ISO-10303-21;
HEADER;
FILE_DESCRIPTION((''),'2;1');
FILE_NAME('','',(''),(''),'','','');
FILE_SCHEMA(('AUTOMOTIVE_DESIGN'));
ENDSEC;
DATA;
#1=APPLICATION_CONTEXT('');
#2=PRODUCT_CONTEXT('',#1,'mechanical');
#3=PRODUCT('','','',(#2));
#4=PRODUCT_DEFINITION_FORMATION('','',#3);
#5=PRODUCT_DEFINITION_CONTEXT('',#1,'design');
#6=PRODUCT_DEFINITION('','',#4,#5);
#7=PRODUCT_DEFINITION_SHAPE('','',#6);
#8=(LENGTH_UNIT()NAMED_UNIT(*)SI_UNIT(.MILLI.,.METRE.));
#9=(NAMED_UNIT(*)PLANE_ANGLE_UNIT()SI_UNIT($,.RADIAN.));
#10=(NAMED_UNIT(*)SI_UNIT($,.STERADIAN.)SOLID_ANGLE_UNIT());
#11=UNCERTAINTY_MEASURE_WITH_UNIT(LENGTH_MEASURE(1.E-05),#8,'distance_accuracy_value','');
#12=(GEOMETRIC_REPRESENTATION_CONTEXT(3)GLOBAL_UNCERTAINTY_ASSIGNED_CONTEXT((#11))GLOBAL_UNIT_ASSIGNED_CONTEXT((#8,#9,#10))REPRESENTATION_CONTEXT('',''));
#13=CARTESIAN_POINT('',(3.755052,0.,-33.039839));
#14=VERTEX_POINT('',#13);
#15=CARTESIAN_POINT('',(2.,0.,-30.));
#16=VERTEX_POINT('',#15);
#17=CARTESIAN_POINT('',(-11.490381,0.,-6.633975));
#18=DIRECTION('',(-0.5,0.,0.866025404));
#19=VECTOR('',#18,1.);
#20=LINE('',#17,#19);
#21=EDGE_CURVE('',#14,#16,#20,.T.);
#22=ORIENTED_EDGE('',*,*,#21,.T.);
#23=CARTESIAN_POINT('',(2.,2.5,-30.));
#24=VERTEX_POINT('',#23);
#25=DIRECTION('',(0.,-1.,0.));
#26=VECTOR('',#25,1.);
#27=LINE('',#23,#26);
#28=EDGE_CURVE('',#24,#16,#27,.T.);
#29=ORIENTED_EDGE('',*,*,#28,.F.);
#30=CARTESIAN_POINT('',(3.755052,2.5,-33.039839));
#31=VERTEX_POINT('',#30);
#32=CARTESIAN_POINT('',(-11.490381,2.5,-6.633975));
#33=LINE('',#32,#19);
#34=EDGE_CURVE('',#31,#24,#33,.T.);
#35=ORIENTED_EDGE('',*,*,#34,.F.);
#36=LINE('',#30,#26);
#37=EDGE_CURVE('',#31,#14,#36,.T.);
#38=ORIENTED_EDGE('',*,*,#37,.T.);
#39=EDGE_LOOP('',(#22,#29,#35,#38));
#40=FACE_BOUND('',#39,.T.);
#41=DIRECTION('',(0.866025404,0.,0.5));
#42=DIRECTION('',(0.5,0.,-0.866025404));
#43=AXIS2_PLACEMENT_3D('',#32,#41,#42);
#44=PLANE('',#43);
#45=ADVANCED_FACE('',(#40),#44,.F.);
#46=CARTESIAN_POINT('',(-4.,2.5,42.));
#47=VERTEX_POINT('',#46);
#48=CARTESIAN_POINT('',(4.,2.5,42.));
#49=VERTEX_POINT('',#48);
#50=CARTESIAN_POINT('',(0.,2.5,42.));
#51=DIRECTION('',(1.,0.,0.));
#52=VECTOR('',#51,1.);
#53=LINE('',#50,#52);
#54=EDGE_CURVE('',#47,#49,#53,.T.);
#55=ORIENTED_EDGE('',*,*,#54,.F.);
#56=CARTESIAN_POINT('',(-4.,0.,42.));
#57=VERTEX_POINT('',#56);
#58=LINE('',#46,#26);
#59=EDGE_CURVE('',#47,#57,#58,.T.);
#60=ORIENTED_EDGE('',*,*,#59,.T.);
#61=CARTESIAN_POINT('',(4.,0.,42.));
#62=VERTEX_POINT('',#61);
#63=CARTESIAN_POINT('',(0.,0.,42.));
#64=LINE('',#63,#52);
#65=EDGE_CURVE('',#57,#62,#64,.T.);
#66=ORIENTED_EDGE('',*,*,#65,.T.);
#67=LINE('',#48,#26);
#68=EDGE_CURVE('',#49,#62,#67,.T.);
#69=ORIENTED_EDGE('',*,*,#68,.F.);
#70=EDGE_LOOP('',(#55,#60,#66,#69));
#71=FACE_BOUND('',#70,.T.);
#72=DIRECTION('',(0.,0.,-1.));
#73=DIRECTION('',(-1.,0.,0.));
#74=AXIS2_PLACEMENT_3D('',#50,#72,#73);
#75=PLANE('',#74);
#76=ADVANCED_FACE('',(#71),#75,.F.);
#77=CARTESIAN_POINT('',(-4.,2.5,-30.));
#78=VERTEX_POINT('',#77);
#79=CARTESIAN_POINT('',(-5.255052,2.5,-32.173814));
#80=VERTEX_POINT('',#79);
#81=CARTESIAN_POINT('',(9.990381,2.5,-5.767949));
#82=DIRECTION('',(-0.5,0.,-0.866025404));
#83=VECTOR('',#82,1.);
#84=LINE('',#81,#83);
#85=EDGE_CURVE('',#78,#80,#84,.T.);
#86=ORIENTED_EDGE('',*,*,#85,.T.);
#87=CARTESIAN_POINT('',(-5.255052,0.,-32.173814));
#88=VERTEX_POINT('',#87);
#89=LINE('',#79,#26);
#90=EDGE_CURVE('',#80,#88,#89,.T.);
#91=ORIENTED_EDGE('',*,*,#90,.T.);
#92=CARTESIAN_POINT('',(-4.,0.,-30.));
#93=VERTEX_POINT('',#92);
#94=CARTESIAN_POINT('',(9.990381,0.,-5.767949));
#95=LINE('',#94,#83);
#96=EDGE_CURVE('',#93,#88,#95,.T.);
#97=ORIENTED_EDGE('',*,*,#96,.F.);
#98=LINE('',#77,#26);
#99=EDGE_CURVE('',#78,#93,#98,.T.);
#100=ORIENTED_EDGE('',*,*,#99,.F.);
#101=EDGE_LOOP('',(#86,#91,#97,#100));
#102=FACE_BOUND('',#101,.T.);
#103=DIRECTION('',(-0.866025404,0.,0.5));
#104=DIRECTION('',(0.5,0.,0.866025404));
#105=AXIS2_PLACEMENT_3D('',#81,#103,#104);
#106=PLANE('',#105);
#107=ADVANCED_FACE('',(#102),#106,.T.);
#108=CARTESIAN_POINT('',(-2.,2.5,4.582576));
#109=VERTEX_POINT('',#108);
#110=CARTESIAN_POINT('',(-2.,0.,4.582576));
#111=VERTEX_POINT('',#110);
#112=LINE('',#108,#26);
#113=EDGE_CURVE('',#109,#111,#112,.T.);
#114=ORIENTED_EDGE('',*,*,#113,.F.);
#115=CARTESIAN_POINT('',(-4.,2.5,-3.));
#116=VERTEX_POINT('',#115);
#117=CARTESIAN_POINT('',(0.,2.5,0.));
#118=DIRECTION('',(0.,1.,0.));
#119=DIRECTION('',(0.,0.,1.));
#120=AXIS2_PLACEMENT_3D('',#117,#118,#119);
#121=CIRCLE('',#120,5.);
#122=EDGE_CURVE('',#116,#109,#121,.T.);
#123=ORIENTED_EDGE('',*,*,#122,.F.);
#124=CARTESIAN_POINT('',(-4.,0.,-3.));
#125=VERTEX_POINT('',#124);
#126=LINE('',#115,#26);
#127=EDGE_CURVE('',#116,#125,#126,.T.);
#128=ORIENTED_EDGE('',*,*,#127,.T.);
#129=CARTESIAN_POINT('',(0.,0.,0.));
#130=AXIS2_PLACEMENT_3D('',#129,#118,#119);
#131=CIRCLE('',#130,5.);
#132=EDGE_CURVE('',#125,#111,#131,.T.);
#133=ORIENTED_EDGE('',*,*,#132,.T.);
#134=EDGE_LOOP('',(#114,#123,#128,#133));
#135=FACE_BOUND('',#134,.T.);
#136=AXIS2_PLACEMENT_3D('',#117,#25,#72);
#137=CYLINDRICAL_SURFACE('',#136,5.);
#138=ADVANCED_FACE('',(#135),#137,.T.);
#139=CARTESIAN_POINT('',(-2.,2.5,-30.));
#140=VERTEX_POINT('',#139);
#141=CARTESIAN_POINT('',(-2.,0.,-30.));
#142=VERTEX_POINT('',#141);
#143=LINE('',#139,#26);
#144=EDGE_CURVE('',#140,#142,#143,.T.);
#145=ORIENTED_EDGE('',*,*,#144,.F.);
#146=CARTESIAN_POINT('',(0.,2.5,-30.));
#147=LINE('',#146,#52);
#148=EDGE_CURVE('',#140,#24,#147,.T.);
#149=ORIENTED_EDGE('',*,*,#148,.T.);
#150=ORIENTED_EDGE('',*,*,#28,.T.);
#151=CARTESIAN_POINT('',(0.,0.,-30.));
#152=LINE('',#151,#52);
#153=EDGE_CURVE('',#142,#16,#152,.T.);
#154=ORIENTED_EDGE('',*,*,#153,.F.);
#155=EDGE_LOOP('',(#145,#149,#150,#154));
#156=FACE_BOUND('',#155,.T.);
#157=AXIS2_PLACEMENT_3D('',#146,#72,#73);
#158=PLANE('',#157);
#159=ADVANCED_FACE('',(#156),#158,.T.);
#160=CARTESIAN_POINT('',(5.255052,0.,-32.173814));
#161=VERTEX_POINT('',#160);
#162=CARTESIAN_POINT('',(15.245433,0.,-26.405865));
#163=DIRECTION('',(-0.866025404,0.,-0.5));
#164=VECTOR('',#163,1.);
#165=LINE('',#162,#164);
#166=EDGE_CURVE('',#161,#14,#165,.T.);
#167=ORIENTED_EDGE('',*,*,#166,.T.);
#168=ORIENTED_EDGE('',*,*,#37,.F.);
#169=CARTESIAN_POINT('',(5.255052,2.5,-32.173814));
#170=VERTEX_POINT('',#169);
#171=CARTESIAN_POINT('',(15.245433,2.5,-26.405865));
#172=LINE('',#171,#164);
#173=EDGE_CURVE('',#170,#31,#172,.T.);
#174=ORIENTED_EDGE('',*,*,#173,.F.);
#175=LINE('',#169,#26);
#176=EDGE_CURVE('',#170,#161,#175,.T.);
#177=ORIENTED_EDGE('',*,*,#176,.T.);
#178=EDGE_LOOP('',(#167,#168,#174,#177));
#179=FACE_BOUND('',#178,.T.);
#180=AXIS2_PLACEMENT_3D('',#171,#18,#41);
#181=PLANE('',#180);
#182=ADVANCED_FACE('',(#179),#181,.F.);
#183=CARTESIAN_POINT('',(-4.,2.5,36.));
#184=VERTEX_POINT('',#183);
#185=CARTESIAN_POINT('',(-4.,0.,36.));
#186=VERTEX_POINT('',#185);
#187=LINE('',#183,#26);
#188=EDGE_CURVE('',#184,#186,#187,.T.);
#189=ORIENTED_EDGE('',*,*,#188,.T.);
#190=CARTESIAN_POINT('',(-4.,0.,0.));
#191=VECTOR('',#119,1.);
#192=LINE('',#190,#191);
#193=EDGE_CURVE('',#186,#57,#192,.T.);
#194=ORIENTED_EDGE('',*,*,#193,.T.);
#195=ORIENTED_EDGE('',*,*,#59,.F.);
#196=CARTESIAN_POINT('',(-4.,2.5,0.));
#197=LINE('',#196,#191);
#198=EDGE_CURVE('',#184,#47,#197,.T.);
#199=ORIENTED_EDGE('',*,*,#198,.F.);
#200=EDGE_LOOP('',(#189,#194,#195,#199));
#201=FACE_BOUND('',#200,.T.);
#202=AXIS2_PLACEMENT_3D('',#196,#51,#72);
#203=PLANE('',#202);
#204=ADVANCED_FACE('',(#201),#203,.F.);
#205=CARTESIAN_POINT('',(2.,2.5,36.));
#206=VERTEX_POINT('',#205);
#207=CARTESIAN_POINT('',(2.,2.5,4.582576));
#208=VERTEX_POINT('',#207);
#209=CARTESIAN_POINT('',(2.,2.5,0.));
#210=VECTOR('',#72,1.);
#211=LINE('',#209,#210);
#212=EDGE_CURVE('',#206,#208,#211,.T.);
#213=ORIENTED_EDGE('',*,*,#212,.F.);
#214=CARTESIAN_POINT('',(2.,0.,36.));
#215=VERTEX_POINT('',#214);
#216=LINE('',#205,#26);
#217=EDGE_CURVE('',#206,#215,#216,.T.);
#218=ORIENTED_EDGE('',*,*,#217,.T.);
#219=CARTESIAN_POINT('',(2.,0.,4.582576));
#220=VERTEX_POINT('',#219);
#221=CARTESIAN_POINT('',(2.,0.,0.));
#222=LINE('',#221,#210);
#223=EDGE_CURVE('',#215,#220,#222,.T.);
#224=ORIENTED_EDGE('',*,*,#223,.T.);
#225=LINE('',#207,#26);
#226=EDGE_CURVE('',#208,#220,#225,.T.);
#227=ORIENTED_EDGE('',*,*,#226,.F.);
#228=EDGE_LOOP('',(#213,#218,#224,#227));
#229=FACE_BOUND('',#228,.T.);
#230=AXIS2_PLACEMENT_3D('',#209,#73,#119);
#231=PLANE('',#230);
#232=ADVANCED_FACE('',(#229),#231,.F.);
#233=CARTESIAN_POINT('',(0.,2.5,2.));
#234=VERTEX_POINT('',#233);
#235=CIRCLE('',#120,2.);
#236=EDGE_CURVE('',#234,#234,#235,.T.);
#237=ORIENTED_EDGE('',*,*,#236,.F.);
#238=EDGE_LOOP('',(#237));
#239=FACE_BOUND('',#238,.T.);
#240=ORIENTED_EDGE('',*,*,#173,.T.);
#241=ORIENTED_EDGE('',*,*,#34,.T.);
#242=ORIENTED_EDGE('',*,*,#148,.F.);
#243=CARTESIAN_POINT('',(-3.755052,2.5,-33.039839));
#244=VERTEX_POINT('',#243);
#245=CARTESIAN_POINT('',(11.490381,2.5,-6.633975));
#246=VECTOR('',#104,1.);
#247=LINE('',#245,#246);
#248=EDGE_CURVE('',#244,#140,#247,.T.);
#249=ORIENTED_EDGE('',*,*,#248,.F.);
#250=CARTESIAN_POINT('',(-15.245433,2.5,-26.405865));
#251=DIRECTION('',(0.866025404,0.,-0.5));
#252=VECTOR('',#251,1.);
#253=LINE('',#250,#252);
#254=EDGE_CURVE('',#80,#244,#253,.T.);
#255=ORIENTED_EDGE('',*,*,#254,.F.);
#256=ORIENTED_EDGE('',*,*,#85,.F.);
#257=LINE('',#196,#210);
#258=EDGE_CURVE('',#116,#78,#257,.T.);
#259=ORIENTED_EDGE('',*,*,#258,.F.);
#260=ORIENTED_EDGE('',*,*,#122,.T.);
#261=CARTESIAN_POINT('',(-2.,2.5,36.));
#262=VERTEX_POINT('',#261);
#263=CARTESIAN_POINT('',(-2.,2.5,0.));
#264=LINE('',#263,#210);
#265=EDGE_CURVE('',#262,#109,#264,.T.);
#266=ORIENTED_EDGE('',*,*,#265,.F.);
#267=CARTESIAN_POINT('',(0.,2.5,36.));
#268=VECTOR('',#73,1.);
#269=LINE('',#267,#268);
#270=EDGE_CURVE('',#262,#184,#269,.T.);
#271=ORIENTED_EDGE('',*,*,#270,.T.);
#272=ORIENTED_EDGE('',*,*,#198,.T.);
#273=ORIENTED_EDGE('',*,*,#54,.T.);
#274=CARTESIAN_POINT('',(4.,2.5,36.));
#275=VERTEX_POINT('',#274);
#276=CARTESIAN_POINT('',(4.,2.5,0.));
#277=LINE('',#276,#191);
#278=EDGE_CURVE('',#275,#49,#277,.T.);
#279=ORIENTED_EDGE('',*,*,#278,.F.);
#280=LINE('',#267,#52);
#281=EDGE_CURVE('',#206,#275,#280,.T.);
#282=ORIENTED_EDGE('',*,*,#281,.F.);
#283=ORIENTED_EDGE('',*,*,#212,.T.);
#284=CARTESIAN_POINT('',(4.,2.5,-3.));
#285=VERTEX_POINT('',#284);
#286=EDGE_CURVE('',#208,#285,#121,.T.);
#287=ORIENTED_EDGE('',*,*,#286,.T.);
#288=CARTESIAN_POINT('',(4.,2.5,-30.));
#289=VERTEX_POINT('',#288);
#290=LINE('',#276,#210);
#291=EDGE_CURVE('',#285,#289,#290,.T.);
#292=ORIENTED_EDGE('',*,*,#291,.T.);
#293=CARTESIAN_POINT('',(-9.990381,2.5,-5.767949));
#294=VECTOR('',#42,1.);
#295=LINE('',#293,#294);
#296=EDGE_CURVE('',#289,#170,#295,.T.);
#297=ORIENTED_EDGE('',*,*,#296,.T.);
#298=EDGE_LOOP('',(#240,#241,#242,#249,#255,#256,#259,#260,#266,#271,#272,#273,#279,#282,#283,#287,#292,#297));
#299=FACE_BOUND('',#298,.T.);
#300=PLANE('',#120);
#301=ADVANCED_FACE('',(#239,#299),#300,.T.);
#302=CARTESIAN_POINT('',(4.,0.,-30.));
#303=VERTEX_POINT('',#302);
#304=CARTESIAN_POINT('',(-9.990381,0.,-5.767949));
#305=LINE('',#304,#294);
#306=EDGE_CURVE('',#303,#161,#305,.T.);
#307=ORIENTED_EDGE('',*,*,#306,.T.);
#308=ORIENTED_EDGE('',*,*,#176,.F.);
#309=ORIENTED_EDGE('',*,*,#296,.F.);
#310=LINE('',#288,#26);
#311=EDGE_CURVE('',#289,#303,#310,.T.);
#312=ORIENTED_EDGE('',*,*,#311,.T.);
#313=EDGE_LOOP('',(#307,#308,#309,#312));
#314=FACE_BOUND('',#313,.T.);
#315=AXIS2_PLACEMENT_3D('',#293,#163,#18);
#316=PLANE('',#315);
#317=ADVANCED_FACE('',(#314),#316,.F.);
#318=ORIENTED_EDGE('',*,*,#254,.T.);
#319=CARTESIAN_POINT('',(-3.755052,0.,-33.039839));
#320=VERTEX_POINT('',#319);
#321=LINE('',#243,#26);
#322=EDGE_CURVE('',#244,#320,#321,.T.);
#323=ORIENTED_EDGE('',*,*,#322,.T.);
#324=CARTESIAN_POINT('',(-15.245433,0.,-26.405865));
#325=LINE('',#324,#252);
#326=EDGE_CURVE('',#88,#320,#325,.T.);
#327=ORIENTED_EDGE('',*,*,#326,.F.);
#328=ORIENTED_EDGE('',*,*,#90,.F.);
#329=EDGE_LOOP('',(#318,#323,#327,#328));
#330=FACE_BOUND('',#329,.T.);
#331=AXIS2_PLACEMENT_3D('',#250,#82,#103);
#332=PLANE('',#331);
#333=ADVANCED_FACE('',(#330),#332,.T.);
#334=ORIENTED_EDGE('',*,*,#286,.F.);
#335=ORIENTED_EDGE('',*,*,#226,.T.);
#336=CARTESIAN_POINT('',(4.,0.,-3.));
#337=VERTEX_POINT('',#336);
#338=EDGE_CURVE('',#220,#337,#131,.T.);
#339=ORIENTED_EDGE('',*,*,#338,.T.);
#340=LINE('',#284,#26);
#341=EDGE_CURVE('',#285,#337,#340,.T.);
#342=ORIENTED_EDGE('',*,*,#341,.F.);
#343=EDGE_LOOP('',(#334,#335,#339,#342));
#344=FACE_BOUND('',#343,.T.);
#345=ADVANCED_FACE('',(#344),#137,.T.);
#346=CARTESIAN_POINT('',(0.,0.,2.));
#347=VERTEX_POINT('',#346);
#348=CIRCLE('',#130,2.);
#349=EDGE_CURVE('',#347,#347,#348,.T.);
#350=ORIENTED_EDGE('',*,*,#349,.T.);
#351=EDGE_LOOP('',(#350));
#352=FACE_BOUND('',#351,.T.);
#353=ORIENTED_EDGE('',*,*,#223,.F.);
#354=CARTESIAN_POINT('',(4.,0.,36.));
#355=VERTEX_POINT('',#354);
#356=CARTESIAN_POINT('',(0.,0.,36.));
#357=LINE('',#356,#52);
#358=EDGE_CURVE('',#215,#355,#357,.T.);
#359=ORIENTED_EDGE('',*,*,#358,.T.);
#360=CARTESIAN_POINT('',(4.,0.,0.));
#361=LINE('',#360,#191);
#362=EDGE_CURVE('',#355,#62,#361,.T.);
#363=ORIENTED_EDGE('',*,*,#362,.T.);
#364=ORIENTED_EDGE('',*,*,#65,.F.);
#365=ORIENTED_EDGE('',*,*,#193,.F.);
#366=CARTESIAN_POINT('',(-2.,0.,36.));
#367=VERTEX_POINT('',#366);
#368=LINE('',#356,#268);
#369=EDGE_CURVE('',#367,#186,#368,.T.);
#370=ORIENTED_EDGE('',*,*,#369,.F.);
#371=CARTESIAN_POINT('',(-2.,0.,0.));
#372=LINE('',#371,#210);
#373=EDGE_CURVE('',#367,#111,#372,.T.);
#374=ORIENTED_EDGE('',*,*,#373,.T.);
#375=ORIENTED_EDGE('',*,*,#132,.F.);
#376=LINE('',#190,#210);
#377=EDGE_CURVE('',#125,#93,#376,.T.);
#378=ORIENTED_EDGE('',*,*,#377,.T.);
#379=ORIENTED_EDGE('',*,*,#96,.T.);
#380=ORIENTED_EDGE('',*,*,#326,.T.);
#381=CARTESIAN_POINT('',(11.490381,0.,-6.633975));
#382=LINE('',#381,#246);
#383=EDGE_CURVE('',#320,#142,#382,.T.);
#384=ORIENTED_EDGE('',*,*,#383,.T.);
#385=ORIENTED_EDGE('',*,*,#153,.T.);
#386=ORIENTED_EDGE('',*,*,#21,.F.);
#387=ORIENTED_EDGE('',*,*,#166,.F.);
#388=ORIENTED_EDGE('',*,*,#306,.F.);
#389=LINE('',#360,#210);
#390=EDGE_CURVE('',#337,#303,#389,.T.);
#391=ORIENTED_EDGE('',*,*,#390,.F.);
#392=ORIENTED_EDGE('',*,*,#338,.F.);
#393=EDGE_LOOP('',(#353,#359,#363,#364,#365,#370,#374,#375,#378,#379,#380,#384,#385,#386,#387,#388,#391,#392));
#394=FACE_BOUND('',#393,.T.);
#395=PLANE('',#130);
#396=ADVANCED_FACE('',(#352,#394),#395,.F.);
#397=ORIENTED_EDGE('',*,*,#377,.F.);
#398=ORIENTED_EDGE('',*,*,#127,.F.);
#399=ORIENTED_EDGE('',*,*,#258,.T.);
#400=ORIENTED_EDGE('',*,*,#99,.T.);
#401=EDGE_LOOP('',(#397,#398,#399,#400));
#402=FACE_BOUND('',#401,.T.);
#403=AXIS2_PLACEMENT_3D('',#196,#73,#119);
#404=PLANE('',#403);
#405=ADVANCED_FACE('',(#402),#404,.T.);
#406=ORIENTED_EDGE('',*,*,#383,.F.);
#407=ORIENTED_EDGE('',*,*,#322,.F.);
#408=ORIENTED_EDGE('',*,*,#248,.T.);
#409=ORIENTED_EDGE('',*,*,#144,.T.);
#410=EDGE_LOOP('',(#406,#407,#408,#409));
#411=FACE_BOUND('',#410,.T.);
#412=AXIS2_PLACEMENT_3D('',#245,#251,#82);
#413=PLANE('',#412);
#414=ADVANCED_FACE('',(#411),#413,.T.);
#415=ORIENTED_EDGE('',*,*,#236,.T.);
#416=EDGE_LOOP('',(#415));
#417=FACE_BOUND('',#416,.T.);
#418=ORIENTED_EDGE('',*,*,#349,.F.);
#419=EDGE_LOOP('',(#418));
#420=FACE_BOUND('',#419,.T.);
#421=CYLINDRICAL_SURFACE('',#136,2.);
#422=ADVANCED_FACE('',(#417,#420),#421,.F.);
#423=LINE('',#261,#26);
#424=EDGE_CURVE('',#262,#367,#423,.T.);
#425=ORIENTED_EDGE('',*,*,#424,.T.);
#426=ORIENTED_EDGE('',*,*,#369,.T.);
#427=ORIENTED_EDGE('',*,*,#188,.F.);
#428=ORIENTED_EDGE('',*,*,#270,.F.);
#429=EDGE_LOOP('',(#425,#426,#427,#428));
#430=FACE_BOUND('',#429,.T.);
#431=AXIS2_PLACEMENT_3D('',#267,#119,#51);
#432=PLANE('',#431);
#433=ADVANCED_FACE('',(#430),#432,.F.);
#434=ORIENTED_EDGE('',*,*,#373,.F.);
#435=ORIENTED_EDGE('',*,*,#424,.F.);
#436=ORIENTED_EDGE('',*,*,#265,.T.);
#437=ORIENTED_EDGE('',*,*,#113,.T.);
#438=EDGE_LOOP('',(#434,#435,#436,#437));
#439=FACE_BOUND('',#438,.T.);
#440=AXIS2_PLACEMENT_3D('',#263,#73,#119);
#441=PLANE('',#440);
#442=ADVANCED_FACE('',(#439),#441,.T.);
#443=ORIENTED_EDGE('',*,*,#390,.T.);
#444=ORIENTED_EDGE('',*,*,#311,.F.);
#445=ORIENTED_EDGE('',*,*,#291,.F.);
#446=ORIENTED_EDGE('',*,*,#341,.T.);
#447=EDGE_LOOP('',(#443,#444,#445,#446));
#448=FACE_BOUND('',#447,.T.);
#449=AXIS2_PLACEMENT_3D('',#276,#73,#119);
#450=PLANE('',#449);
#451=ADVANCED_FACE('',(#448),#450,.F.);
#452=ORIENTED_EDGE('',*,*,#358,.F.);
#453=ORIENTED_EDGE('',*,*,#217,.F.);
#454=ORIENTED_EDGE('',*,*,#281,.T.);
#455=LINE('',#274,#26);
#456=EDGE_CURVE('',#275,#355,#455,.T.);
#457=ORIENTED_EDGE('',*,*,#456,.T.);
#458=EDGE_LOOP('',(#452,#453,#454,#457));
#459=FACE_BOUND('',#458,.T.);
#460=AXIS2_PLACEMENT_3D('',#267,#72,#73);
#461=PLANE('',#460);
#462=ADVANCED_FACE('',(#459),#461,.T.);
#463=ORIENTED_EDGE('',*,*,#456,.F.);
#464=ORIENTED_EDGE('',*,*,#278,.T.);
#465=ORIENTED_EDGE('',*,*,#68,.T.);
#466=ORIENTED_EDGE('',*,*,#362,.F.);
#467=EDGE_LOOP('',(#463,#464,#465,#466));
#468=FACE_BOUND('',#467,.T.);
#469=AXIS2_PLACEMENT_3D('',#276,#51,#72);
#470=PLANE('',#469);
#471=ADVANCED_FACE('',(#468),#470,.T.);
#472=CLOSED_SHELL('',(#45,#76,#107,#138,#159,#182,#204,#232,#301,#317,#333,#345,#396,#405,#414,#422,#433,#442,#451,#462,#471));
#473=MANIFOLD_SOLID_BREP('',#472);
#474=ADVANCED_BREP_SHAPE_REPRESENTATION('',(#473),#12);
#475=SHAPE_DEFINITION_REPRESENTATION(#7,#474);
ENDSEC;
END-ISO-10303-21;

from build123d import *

# Parameters (mm, degrees)
SKETCH1_R           = 2
BOSS_EXTRUDE1_DEPTH = 2.5


with BuildPart() as part:
    # Sketch1 → Boss-Extrude1 (new body)
    with BuildSketch(Plane(origin=(0, 0, 0), x_dir=(1, 0, 0), z_dir=(0, 1, 0))):
        with BuildLine():
            Line((-2, -4.582575695), (-2, -36))
            Line((-2, -36), (-4, -36))
            Line((-4, -36), (-4, -42))
            Line((-4, -42), (4, -42))
            Line((4, -42), (4, -36))
            Line((4, -36), (2, -36))
            Line((2, -36), (2, -4.582575695))
            ThreePointArc((2, -4.582575695), (4.83465237, -1.275200556), (4, 3))
            Line((4, 3), (4, 30))
            Line((4, 30), (5.25505198, 32.173813795))
            Line((5.25505198, 32.173813795), (3.75505198, 33.039839198))
            Line((3.75505198, 33.039839198), (2, 30))
            Line((2, 30), (-2, 30))
            Line((-2, 30), (-3.75505198, 33.039839198))
            Line((-3.75505198, 33.039839198), (-5.25505198, 32.173813795))
            Line((-5.25505198, 32.173813795), (-4, 30))
            Line((-4, 30), (-4, 3))
            ThreePointArc((-4, 3), (-4.83465237, -1.275200556), (-2, -4.582575695))
        make_face()
        with Locations(Location((0, 0, 0), (0, 0, 270))):
            Circle(SKETCH1_R, mode=Mode.SUBTRACT)
    extrude(amount=BOSS_EXTRUDE1_DEPTH)


solid = part.part
